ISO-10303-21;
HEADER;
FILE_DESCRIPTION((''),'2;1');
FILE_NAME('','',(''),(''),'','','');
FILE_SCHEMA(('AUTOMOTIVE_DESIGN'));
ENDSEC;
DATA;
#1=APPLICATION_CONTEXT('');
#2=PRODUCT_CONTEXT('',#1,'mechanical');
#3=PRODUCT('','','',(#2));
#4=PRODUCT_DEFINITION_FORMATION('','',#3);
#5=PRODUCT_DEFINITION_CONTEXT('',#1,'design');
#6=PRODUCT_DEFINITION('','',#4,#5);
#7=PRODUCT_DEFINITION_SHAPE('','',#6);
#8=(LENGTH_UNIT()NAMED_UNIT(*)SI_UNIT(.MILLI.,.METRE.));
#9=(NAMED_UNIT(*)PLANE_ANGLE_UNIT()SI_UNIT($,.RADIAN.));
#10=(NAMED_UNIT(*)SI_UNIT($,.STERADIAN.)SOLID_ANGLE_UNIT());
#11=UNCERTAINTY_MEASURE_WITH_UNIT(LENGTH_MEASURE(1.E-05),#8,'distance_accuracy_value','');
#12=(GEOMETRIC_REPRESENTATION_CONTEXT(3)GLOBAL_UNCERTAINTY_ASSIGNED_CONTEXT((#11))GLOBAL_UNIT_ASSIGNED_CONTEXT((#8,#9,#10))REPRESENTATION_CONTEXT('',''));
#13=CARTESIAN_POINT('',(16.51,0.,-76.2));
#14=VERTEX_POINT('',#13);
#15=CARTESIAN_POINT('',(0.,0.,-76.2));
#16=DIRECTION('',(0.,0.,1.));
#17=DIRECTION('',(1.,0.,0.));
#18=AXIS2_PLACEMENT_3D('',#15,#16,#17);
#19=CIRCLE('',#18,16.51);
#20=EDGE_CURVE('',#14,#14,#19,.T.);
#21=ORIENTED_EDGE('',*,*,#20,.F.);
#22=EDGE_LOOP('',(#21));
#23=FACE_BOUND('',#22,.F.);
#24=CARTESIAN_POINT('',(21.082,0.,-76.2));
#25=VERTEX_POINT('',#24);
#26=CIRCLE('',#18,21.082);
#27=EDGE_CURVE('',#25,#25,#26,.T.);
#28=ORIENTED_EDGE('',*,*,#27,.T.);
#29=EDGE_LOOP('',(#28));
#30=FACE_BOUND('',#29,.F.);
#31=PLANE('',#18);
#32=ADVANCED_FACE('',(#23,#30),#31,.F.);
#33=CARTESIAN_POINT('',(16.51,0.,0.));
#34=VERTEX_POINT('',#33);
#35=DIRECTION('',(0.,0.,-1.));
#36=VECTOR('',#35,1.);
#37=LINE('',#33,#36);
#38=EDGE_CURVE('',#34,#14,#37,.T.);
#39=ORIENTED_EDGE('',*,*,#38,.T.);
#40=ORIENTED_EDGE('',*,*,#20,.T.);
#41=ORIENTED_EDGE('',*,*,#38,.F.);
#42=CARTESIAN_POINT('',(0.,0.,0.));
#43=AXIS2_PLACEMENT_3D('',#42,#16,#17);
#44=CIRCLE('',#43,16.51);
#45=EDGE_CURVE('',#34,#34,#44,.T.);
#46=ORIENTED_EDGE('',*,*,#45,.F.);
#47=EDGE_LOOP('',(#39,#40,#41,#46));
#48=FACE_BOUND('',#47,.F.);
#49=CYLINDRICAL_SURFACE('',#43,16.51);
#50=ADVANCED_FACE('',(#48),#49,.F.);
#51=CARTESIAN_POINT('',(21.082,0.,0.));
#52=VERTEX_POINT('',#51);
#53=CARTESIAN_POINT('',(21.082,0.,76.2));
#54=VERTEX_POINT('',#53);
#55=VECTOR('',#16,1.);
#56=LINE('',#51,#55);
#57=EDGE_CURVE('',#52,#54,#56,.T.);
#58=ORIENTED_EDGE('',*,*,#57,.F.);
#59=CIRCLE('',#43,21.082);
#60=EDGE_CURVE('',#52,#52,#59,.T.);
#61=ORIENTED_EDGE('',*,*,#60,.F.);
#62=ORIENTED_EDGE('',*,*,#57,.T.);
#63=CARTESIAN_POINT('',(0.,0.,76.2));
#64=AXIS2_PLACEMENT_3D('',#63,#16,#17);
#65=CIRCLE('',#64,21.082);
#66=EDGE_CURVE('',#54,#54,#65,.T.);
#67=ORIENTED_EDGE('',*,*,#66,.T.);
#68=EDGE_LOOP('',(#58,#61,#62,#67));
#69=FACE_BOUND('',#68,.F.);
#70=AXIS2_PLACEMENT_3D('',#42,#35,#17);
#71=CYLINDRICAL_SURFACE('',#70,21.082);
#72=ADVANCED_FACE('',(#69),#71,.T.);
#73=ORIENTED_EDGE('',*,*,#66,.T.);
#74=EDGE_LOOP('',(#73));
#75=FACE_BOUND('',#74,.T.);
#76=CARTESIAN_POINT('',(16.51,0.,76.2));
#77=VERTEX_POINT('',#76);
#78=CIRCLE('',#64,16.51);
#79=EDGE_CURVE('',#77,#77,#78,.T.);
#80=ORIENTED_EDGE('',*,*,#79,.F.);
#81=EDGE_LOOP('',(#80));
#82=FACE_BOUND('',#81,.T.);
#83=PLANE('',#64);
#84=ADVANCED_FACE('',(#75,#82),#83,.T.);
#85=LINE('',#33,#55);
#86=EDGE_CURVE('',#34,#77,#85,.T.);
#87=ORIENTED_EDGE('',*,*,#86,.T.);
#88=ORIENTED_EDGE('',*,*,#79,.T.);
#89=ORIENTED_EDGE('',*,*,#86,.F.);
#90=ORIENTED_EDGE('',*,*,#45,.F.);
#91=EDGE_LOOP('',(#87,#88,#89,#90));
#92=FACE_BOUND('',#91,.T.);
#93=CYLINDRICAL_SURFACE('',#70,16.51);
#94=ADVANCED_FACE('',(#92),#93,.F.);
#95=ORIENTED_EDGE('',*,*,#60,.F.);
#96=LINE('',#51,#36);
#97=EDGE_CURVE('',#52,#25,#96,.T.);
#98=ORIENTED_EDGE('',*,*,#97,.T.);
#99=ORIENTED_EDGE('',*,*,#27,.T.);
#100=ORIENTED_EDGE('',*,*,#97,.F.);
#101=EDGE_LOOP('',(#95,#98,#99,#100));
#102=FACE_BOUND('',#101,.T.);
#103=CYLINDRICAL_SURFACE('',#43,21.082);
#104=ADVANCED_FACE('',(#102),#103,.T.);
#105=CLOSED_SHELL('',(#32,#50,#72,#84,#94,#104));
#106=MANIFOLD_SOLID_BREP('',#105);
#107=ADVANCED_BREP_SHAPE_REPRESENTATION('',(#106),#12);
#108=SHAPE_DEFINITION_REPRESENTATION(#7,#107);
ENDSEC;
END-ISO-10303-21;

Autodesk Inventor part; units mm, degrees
sketch "Sketch1" plane through (0, 0, 0) normal (0, 0, 1) x (1, 0, 0)
  circle A0 centre (0, 0) radius 16.51
  circle A1 centre (0, 0) radius 21.082
  dimension "d0" = 33.02
  dimension "d1" = 42.164
extrude "Extrusion1" add sketch "Sketch1" along normal mid plane 152.4
properties part number "switchHangingPipe" material "Iron, Gray"
